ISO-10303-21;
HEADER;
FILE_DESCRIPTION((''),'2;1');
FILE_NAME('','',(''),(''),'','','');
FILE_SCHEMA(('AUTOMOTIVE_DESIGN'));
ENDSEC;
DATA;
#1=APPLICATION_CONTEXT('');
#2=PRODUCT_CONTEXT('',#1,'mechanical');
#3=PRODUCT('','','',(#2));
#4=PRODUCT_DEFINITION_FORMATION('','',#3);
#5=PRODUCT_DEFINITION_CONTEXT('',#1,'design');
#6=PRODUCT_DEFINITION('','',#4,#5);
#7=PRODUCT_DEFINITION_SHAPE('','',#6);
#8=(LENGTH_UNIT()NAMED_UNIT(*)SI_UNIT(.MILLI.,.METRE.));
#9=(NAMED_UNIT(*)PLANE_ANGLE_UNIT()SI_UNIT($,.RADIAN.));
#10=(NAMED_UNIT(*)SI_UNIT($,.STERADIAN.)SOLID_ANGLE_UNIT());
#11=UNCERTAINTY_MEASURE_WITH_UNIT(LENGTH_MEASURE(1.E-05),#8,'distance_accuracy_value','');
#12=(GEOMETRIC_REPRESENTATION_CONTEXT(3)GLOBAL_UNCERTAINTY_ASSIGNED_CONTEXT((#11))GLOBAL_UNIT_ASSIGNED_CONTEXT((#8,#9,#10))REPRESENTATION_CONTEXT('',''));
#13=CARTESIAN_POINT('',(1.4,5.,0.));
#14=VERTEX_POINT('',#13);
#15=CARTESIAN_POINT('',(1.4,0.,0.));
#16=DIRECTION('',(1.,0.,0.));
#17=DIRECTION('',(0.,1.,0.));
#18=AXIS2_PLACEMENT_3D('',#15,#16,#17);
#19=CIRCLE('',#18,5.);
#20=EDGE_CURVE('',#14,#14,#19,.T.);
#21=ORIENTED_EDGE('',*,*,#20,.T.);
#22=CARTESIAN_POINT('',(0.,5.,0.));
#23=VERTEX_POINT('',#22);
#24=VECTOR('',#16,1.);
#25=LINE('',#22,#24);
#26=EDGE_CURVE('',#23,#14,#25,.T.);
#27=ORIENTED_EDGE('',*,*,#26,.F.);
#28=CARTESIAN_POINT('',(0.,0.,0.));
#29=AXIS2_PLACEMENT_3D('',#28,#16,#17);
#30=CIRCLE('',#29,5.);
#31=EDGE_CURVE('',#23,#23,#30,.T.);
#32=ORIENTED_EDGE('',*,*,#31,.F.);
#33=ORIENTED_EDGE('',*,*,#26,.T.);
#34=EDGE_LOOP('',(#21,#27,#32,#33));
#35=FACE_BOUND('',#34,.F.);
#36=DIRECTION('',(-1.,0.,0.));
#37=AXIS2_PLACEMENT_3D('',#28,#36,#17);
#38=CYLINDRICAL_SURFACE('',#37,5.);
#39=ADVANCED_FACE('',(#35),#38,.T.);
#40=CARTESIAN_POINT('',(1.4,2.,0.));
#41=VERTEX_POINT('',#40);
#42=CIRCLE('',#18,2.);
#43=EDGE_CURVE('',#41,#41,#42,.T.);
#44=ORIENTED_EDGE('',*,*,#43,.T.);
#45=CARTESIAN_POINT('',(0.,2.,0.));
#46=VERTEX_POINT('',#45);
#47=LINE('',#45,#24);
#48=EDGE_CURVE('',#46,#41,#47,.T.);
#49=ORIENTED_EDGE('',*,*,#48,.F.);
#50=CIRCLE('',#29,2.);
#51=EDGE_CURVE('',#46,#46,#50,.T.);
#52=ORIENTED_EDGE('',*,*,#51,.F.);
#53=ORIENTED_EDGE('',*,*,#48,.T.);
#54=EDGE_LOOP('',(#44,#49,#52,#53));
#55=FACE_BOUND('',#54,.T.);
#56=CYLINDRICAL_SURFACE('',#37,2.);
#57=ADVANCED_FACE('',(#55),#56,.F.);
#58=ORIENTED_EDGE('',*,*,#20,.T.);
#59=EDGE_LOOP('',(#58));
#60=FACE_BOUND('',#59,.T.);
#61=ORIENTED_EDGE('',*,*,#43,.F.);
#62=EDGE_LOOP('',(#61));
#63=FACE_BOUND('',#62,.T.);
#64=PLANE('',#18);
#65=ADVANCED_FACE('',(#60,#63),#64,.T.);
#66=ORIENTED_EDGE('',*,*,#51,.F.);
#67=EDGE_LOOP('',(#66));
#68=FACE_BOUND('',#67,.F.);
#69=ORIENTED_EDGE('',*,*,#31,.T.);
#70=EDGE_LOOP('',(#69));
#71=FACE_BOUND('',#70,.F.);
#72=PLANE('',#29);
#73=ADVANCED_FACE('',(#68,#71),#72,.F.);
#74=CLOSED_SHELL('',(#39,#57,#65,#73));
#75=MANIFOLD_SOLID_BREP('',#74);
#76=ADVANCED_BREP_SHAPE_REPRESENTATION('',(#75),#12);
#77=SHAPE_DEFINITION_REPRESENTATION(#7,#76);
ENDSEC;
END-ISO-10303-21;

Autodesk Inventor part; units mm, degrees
ref_plane "YZ Plane" through (0, 0, 0) normal (1, 0, 0) x (0, 1, 0)
ref_plane "XZ Plane" through (0, 0, 0) normal (0, 1, 0) x (-1, 0, 0)
sketch "Sketch" plane through (0, 0, 0) normal (1, 0, 0) x (0, 1, 0)
  circle A0 centre (0, 0) radius 5
  circle A1 centre (0, 0) radius 2
  dimension "d0" = 4
  dimension "d1" = 10
extrude "Body" add sketch "Sketch" along normal blind 1.4
ref_plane "Work Plane1" through (0, 0, 0) normal (0, 0, 1) x (1, 0, 0)
equation "\"d0\" = SD1"
equation "\"d1\" = SD2"
equation "\"d2\" = SD"
equation "\"SD1\" = 4"
equation "\"SD2\" = 10"
equation "\"SD\" = 1.4"
equation "\"NND\" = 3.5"
properties part number "ANSI B18.22M - 3.5 R" material "Steel, Mild"
